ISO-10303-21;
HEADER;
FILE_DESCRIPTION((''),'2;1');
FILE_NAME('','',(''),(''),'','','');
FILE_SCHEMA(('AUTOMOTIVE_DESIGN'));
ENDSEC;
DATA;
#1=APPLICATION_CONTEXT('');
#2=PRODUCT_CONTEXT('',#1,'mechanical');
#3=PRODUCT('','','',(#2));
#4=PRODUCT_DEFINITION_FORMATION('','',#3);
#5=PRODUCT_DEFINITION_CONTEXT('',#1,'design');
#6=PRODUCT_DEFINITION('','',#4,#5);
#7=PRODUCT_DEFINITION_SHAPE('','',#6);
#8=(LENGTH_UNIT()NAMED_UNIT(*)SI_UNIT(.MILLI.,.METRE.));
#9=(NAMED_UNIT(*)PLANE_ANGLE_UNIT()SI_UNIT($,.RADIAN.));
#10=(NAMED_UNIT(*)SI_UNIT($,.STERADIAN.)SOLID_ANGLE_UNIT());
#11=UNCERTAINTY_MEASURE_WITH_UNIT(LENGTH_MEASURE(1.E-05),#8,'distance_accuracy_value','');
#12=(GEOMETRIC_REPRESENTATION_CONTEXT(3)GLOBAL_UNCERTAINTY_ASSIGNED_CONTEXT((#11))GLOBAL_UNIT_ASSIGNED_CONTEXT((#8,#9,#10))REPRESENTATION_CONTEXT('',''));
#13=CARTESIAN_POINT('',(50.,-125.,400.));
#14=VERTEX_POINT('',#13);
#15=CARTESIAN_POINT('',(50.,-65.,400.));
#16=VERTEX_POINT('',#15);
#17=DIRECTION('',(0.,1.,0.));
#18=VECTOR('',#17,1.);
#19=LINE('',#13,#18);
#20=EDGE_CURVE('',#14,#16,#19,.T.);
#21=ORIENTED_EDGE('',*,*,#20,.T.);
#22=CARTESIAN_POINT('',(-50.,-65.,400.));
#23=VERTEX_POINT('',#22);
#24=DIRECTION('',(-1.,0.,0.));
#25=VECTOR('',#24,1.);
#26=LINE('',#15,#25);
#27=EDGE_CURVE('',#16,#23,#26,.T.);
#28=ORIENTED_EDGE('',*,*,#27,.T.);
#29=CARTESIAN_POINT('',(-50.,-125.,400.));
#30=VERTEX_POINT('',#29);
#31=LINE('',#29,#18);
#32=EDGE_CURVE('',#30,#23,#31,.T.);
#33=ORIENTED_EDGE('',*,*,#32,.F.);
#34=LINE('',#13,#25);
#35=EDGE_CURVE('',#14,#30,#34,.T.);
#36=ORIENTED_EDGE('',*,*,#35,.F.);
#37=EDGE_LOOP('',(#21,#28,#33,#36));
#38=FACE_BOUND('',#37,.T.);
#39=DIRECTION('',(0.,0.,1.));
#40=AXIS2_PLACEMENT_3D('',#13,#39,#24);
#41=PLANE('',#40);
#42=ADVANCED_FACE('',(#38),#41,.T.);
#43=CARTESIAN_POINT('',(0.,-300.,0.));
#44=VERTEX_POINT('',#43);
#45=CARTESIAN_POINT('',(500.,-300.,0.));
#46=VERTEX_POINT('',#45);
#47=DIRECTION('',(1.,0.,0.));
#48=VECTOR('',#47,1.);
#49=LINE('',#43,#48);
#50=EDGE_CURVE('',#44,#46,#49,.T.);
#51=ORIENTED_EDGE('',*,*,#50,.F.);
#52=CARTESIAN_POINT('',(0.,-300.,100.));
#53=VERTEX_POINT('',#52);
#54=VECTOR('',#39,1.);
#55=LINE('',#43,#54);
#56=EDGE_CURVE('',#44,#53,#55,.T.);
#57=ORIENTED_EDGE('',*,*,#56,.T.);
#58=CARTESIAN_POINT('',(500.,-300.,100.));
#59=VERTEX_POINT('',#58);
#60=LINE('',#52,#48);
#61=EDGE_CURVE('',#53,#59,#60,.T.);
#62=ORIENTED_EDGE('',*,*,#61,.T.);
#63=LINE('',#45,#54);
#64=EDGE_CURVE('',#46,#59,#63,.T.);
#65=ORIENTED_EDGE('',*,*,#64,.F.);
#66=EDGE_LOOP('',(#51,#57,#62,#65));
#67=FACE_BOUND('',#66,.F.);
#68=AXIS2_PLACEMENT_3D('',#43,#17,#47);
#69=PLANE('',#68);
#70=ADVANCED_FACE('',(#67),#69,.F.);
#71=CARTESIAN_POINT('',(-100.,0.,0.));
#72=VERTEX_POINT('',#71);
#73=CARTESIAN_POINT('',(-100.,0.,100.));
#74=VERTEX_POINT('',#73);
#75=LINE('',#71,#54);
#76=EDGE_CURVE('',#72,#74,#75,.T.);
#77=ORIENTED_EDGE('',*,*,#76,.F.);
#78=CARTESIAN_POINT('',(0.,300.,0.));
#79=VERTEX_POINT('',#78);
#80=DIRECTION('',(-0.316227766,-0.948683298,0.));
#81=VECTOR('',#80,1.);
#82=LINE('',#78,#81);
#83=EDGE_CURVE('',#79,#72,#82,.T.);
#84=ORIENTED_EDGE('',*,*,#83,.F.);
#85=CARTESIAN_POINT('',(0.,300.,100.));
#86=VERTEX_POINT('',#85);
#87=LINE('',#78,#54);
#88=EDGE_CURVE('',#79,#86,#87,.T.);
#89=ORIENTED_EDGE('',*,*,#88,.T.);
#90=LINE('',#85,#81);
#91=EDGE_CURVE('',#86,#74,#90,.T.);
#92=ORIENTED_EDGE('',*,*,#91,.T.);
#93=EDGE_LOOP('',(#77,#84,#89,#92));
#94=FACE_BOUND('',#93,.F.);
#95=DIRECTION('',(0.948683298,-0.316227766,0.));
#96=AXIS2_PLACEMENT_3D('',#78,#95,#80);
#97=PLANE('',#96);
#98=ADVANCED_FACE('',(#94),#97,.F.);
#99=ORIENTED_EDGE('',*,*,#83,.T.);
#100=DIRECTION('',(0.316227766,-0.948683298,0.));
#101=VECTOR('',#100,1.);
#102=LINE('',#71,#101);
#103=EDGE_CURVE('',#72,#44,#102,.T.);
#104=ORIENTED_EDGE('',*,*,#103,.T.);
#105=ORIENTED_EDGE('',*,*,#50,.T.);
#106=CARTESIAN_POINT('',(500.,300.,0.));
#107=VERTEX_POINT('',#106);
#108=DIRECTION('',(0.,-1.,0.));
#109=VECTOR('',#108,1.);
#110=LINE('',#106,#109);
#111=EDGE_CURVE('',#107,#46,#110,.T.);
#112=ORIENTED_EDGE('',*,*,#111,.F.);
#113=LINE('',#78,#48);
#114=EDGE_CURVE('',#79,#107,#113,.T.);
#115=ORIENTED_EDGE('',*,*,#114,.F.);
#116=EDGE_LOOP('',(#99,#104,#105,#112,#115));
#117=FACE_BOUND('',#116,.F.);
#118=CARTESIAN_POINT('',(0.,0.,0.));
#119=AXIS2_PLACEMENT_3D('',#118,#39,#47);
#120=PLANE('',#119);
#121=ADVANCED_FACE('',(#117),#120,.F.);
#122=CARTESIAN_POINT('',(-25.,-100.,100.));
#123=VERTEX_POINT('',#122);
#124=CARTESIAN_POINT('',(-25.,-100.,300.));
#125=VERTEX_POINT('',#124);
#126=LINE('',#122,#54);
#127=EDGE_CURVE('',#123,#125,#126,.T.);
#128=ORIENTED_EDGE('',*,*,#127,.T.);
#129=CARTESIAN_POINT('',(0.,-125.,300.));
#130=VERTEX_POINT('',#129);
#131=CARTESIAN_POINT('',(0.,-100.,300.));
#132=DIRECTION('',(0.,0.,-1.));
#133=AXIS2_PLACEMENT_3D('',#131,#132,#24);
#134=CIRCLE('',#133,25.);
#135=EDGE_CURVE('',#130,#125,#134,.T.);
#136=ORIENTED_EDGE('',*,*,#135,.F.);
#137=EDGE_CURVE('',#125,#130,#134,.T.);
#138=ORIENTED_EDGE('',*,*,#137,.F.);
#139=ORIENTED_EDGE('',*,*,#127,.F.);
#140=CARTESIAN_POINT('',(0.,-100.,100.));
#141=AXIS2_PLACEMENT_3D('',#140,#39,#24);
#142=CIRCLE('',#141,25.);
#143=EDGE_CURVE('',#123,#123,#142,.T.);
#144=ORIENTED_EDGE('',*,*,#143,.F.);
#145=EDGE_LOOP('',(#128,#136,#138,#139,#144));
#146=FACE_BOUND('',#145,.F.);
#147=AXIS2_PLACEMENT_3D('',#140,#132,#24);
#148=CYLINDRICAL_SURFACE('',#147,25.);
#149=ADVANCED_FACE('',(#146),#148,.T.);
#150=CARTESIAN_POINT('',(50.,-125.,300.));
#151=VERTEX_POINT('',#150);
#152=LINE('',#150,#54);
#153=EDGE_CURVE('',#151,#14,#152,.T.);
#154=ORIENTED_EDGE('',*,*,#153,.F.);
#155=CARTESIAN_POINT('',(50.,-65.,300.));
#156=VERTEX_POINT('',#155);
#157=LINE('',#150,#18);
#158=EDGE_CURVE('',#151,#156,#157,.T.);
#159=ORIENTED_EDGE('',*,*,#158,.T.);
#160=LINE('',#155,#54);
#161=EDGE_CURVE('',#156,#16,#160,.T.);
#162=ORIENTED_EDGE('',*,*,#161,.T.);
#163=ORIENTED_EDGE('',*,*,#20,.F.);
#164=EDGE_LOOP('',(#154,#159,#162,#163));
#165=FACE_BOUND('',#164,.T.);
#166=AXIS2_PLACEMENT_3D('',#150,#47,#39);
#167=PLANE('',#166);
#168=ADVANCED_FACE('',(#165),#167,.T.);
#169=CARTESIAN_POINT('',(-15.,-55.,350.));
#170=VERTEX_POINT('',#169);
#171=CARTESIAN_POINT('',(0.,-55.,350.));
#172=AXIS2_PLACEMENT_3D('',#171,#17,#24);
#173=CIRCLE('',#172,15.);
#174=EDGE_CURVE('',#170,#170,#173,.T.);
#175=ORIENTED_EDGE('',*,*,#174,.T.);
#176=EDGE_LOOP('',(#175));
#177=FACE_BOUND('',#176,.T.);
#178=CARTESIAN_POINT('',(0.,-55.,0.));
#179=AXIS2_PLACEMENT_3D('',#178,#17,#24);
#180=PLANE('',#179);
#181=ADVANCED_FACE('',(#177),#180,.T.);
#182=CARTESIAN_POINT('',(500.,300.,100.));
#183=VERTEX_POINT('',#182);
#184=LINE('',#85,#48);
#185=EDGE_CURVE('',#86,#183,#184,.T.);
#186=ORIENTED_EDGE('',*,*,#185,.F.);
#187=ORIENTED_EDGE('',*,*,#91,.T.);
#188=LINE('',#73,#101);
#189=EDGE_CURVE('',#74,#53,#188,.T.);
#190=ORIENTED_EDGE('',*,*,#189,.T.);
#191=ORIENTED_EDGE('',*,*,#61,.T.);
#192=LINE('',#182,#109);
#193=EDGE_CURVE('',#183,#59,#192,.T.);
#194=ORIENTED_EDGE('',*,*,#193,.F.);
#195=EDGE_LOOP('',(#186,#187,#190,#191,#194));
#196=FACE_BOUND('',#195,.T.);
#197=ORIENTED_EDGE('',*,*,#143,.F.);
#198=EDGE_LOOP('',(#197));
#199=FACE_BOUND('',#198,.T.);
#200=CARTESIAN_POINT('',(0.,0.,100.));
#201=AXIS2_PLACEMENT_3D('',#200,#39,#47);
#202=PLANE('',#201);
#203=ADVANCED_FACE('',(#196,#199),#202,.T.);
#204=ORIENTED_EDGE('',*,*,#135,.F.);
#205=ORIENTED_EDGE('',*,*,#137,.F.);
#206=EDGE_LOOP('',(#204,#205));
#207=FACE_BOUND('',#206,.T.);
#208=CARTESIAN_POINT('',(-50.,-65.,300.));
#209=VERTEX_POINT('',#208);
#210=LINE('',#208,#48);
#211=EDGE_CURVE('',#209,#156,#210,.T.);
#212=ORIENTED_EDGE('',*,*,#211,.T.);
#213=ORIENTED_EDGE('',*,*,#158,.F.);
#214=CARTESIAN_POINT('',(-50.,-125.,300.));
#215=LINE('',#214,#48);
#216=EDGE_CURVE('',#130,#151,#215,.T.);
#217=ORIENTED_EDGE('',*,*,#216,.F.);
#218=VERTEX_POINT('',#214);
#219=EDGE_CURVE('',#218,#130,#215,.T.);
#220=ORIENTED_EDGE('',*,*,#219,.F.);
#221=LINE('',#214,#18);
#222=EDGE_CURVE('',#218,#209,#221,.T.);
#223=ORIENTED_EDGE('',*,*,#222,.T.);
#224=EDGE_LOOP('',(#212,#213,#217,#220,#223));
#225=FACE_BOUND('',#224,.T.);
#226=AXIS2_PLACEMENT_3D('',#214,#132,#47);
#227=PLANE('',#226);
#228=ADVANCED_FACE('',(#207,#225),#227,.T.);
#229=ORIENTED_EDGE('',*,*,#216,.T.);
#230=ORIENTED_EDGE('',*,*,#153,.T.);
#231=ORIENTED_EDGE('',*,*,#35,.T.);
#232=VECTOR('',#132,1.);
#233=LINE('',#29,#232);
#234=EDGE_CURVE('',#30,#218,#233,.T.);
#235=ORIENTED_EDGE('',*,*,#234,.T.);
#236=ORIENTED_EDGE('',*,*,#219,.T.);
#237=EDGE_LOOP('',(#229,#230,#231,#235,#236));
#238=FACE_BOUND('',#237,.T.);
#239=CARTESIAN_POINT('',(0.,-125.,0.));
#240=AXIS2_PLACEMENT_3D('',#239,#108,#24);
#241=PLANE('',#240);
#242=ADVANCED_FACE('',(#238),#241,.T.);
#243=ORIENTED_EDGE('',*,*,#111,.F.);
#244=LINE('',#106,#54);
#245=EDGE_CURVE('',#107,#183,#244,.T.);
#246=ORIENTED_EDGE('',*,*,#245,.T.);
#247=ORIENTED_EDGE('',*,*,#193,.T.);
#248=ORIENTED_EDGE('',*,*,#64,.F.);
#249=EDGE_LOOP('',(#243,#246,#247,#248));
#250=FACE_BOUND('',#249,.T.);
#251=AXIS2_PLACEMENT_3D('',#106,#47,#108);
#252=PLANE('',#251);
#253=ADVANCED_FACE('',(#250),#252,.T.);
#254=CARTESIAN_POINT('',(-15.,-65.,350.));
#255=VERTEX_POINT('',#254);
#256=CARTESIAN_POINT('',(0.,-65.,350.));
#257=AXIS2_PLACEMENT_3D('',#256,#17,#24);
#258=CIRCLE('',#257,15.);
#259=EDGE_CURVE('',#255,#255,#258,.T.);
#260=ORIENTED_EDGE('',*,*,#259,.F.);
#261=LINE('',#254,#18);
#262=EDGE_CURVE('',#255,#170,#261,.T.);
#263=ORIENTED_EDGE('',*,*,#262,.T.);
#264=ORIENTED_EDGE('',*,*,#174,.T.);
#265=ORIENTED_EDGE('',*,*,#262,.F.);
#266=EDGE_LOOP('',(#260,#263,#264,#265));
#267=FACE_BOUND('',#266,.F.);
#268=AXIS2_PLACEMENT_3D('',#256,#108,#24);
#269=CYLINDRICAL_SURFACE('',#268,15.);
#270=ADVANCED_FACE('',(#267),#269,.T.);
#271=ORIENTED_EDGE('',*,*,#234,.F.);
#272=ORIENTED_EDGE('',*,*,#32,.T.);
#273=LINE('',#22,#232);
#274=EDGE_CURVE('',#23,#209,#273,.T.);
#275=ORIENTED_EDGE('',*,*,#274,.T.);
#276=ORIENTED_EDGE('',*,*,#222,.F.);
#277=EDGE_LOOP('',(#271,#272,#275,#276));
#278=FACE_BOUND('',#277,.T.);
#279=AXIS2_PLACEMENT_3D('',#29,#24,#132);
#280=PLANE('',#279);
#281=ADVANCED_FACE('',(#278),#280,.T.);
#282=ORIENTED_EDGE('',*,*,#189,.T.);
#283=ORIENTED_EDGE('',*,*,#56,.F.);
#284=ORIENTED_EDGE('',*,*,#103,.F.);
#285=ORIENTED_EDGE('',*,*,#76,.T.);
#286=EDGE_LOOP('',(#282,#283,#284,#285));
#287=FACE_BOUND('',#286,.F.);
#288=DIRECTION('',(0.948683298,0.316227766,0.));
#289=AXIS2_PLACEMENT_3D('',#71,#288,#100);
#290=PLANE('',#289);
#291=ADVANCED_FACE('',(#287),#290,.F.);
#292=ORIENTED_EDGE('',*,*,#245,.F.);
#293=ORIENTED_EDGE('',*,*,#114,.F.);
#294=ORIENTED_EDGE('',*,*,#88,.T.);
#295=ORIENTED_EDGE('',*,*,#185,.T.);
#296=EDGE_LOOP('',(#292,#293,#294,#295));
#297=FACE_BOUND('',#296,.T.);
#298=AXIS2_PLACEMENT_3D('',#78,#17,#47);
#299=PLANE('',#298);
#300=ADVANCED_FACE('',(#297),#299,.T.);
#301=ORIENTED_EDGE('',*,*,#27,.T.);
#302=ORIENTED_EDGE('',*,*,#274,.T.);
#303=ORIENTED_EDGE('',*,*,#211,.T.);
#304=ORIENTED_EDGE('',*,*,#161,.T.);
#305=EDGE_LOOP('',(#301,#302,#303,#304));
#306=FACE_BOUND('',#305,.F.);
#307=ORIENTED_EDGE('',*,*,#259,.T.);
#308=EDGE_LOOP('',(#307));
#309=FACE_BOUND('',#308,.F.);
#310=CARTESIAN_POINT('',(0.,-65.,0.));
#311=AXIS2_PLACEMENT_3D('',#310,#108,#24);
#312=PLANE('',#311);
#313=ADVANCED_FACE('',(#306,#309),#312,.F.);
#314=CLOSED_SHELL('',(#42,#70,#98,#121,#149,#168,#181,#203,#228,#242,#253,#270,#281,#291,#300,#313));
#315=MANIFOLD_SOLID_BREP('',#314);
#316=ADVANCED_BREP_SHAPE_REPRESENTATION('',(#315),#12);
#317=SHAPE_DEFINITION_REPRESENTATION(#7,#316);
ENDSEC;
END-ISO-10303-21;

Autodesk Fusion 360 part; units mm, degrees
sketch "Sketch1" plane through (0, 0, 0) normal (0, 0, 1) x (1, 0, 0)
  line L0 (0, 300) -> (500, 300)
  line L1 (0, -300) -> (500, -300)
  line L2 (0, 300) -> (-100, 0)
  line L3 (-100, 0) -> (0, -300)
  line L4 (500, 300) -> (500, -300)
  dimension "d1" = 500
extrude "Extrude1" add sketch "Sketch1" along normal blind 100
sketch "Sketch2" plane through (0, 0, 100) normal (0, 0, 1) x (-1, 0, 0)
  line L0 (0, -300) -> (100, 0)
  line L1 (100, 0) -> (0, 300)
  line L2 (0, 300) -> (-500, 300)
  line L3 (-500, 300) -> (-500, -300)
  line L4 (-500, -300) -> (0, -300)
  circle A0 centre (0, 100) radius 25
  circle A1 centre (0, -100) radius 25
  dimension "d7" = 50
  dimension "d8" = 50
extrude "Extrude2" add sketch "Sketch2" along normal blind 265 contours A0
ref_plane "WorkPlane1" through (0, -125, 274.5445) normal (0, -1, 0) x (-1, 0, 0)
sketch "Sketch3" plane through (0, -125, 0) normal (0, -1, 0) x (-1, 0, 0)
  line L0 (50, -300) -> (-50, -300)
  line L1 (-50, -300) -> (-50, -400)
  line L2 (-50, -400) -> (50, -400)
  line L3 (50, -400) -> (50, -300)
extrude "Extrude3" add sketch "Sketch3" against normal blind 60
sketch "Sketch4" plane through (0, -65, 0) normal (0, 1, 0) x (-1, 0, 0)
  line L0 (50, 300) -> (50, 400)
  line L1 (50, 400) -> (-50, 400)
  line L2 (-50, 400) -> (-50, 300)
  line L3 (-50, 300) -> (50, 300)
  circle A0 centre (0, 350) radius 15
  dimension "d14" = 30
extrude "Extrude4" add sketch "Sketch4" along normal blind 10 contours A0
